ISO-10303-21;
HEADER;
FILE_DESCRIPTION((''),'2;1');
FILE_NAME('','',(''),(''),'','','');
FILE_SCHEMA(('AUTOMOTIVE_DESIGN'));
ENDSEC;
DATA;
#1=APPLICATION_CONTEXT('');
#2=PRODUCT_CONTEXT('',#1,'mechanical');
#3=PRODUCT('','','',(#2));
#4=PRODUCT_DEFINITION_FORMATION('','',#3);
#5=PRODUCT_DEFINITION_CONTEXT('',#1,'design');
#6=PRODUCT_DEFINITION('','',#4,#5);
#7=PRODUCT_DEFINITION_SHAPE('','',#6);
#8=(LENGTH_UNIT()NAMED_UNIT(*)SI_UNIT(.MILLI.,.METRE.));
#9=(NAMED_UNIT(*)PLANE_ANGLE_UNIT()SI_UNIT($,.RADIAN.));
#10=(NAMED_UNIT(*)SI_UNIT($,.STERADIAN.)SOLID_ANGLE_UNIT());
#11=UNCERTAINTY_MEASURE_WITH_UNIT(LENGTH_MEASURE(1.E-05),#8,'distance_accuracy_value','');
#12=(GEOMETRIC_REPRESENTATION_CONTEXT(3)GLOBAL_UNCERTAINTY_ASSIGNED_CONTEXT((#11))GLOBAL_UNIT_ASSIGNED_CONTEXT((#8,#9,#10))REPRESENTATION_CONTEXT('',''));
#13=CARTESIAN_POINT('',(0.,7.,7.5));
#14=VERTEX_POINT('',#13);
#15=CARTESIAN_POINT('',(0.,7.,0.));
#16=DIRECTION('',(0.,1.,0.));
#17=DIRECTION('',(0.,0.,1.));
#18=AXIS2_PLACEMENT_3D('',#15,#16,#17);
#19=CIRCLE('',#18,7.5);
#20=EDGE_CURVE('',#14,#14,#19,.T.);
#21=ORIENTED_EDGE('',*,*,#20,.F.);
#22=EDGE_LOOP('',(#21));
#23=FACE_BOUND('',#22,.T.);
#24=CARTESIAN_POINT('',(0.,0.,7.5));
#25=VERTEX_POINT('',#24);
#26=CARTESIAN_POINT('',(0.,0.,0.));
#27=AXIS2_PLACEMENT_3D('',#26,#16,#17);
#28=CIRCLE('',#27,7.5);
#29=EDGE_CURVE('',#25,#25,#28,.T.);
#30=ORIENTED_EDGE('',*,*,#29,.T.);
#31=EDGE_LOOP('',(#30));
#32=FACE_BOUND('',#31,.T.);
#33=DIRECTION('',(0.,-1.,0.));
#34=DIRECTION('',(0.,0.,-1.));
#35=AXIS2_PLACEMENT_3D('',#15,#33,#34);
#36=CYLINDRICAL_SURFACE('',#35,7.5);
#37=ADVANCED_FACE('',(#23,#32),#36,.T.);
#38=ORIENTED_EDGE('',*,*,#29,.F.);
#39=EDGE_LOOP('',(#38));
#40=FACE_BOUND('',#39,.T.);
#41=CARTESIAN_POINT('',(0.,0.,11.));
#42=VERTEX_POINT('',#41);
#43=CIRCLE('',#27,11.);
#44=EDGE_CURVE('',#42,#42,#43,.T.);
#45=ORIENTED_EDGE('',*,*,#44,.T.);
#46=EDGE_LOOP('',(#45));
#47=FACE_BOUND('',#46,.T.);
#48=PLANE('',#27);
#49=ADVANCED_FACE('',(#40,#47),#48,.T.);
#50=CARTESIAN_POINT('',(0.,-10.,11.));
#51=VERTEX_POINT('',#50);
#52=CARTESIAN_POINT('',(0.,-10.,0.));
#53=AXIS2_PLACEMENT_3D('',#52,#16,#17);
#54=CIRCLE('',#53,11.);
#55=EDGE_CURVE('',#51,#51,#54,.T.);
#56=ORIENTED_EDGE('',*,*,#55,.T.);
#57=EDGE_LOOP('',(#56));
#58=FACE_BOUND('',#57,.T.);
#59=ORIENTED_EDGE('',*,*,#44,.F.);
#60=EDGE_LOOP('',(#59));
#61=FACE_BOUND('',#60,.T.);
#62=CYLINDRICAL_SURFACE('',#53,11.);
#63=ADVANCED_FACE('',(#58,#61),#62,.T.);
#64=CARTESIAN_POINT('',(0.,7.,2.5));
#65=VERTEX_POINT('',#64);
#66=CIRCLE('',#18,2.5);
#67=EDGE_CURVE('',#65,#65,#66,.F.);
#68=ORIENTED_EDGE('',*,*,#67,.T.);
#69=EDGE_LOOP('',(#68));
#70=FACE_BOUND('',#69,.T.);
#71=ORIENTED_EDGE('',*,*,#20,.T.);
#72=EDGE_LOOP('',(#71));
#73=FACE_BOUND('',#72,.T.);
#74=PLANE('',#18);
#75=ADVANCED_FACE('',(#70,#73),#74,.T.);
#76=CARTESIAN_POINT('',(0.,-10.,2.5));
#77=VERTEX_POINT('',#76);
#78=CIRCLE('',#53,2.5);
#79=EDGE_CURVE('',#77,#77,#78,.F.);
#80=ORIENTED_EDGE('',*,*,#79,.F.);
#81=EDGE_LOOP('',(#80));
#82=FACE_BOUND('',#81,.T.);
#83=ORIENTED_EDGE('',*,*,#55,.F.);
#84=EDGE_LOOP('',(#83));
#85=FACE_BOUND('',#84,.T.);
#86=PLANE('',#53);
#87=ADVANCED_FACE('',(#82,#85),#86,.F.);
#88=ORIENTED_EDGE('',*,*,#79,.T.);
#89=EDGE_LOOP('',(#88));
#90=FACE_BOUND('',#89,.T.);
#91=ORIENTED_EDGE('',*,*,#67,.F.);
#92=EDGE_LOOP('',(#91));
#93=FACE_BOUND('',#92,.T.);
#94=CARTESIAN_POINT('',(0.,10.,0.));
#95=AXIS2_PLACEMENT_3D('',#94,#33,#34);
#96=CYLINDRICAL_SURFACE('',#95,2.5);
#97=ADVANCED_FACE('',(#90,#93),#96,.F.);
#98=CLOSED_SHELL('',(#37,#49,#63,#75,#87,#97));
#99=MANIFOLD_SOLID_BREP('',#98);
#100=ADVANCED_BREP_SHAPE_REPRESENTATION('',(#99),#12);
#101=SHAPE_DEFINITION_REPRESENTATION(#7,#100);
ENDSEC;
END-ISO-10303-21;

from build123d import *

# Parameters (mm, degrees)
SKETCH1_R               = 11
BOSS_EXTRUDE1_DEPTH     = 10
SKETCH1_3_R             = 7.5
BOSS_EXTRUDE2_DEPTH     = 7
CUT_EXTRUDE1_DEPTH      = 10
CUT_EXTRUDE1_DEPTH_BACK = 11
SKETCH1_4_R             = 2.5


with BuildPart() as part:
    # Sketch1 → Boss-Extrude1 (new body)
    with BuildSketch(Plane(origin=(0, 0, 0), x_dir=(1, 0, 0), z_dir=(0, 1, 0))):
        Circle(SKETCH1_R)
    extrude(amount=-BOSS_EXTRUDE1_DEPTH)

    # Sketch1<3> → Boss-Extrude2 (add)
    with BuildSketch(Plane(origin=(0, 0, 0), x_dir=(1, 0, 0), z_dir=(0, 1, 0))):
        Circle(SKETCH1_3_R)
    extrude(amount=BOSS_EXTRUDE2_DEPTH)

    # Sketch1<4> → Cut-Extrude1 (cut, two sides: drawn at the far end of the back side and taken through both)
    with BuildSketch(Plane(origin=(0, 0, 0), x_dir=(1, 0, 0), z_dir=(0, 1, 0)).offset(-CUT_EXTRUDE1_DEPTH_BACK)):
        Circle(SKETCH1_4_R)
    extrude(amount=CUT_EXTRUDE1_DEPTH + CUT_EXTRUDE1_DEPTH_BACK, mode=Mode.SUBTRACT)


solid = part.part
